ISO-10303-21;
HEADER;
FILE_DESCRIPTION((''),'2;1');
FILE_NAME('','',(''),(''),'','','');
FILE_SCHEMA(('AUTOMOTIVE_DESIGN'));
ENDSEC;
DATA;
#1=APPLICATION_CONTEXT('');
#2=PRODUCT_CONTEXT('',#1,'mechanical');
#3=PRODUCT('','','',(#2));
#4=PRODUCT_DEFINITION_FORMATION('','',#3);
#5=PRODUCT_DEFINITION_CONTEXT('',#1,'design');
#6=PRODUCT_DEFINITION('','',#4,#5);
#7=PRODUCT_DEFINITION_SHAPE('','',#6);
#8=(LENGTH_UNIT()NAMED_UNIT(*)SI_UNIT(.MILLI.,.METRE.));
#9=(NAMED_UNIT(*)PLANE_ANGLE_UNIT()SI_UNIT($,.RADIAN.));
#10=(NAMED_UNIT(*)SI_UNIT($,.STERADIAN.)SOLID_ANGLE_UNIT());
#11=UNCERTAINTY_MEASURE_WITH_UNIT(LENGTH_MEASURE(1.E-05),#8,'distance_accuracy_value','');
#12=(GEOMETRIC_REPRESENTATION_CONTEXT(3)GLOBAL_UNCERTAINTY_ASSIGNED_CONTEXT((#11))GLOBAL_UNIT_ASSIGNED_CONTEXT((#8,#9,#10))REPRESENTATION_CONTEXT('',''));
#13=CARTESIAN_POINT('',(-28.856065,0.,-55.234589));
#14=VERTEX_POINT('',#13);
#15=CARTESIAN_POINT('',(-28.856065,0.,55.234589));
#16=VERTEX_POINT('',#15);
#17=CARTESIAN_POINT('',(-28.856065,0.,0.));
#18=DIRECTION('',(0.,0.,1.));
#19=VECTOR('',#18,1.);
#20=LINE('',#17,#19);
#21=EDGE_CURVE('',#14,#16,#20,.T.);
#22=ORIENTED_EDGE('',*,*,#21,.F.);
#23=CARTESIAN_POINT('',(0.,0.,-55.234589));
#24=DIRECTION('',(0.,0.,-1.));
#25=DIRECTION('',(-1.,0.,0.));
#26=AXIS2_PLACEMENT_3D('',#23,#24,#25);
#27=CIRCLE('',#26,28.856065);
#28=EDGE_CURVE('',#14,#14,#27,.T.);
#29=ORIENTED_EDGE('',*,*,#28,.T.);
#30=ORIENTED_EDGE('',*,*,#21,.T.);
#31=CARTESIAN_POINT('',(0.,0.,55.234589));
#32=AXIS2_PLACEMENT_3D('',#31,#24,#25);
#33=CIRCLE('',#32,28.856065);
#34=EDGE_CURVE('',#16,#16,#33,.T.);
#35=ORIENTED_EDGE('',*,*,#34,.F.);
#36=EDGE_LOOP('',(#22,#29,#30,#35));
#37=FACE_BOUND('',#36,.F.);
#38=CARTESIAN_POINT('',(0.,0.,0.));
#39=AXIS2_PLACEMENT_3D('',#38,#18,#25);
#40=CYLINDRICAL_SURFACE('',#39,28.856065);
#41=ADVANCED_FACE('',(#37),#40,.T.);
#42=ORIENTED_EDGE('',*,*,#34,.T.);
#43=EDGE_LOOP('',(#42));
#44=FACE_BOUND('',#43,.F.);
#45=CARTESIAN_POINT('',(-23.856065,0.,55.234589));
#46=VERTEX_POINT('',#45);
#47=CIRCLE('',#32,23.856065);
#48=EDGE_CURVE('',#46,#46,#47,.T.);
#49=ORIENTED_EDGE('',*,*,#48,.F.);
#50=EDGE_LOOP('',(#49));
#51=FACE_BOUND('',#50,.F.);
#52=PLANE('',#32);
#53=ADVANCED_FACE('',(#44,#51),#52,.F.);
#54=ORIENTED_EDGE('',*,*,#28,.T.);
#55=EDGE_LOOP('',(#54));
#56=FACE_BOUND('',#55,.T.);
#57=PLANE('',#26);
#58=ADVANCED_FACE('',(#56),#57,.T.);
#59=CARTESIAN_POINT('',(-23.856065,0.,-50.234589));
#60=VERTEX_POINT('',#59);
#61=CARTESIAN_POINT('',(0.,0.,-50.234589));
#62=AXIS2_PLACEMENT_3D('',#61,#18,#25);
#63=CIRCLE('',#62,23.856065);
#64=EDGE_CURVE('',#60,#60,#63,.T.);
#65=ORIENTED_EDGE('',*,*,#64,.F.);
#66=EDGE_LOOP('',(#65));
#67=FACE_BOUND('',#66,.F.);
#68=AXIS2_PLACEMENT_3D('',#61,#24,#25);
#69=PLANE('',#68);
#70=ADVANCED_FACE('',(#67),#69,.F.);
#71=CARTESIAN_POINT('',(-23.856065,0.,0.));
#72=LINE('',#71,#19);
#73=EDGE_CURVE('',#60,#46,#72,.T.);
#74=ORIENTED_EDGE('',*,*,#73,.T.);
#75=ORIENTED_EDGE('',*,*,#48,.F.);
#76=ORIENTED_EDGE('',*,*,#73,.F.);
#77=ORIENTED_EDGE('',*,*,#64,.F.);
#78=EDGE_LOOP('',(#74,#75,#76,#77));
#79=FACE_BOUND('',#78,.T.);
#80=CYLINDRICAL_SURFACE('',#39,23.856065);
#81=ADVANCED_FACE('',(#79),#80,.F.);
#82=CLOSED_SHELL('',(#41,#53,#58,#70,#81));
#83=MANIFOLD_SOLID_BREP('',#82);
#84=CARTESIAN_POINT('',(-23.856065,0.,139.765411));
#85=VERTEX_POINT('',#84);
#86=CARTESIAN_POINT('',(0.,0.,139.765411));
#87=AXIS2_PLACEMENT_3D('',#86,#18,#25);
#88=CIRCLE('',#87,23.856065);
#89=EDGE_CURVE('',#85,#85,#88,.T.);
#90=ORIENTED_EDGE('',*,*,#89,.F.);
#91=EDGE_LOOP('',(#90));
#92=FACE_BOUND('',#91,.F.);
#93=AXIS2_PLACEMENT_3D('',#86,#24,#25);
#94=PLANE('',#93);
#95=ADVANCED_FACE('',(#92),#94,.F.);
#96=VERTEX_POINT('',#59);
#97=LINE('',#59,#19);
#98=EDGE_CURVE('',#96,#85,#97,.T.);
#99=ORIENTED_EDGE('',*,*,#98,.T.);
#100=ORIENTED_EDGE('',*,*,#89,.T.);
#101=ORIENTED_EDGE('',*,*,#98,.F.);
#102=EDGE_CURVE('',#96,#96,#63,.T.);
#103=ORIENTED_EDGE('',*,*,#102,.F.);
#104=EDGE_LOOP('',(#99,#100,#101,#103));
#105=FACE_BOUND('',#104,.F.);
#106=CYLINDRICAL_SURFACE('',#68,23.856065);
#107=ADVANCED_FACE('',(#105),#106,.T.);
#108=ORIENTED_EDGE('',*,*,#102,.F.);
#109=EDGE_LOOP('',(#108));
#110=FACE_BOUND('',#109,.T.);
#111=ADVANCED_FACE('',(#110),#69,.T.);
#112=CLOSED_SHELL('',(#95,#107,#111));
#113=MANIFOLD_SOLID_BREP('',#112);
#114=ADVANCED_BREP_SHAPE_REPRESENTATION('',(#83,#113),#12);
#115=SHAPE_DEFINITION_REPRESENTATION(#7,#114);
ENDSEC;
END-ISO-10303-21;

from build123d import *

# Parameters (mm, degrees)
F0_W     = 28.8560651243
F0_H     = 110.4691773653
F2_T     = -5
F3_DEPTH = 190


with BuildPart() as f1:
    # F0 (on Front) → F1 (revolve)
    with BuildSketch(Plane.XZ):
        with Locations((-14.4280325621, 0)):
            Rectangle(F0_W, F0_H)
    revolve(axis=Axis((0, 0, 0), (0, 0, -1)))

    # F2
    f2_openings = [f1.faces().sort_by_distance(p)[0] for p in [
        (0, 0, 55.234589),
    ]]
    offset(amount=F2_T, openings=f2_openings)


with BuildPart() as f3:
    # F3 (new): a face of the model
    f3_faces = [f1.part.faces().sort_by_distance(p)[0] for p in [
        (0, 0, -50.2345886827),
    ]]
    extrude(f3_faces, amount=F3_DEPTH)


solid = Compound([f1.part, f3.part])
